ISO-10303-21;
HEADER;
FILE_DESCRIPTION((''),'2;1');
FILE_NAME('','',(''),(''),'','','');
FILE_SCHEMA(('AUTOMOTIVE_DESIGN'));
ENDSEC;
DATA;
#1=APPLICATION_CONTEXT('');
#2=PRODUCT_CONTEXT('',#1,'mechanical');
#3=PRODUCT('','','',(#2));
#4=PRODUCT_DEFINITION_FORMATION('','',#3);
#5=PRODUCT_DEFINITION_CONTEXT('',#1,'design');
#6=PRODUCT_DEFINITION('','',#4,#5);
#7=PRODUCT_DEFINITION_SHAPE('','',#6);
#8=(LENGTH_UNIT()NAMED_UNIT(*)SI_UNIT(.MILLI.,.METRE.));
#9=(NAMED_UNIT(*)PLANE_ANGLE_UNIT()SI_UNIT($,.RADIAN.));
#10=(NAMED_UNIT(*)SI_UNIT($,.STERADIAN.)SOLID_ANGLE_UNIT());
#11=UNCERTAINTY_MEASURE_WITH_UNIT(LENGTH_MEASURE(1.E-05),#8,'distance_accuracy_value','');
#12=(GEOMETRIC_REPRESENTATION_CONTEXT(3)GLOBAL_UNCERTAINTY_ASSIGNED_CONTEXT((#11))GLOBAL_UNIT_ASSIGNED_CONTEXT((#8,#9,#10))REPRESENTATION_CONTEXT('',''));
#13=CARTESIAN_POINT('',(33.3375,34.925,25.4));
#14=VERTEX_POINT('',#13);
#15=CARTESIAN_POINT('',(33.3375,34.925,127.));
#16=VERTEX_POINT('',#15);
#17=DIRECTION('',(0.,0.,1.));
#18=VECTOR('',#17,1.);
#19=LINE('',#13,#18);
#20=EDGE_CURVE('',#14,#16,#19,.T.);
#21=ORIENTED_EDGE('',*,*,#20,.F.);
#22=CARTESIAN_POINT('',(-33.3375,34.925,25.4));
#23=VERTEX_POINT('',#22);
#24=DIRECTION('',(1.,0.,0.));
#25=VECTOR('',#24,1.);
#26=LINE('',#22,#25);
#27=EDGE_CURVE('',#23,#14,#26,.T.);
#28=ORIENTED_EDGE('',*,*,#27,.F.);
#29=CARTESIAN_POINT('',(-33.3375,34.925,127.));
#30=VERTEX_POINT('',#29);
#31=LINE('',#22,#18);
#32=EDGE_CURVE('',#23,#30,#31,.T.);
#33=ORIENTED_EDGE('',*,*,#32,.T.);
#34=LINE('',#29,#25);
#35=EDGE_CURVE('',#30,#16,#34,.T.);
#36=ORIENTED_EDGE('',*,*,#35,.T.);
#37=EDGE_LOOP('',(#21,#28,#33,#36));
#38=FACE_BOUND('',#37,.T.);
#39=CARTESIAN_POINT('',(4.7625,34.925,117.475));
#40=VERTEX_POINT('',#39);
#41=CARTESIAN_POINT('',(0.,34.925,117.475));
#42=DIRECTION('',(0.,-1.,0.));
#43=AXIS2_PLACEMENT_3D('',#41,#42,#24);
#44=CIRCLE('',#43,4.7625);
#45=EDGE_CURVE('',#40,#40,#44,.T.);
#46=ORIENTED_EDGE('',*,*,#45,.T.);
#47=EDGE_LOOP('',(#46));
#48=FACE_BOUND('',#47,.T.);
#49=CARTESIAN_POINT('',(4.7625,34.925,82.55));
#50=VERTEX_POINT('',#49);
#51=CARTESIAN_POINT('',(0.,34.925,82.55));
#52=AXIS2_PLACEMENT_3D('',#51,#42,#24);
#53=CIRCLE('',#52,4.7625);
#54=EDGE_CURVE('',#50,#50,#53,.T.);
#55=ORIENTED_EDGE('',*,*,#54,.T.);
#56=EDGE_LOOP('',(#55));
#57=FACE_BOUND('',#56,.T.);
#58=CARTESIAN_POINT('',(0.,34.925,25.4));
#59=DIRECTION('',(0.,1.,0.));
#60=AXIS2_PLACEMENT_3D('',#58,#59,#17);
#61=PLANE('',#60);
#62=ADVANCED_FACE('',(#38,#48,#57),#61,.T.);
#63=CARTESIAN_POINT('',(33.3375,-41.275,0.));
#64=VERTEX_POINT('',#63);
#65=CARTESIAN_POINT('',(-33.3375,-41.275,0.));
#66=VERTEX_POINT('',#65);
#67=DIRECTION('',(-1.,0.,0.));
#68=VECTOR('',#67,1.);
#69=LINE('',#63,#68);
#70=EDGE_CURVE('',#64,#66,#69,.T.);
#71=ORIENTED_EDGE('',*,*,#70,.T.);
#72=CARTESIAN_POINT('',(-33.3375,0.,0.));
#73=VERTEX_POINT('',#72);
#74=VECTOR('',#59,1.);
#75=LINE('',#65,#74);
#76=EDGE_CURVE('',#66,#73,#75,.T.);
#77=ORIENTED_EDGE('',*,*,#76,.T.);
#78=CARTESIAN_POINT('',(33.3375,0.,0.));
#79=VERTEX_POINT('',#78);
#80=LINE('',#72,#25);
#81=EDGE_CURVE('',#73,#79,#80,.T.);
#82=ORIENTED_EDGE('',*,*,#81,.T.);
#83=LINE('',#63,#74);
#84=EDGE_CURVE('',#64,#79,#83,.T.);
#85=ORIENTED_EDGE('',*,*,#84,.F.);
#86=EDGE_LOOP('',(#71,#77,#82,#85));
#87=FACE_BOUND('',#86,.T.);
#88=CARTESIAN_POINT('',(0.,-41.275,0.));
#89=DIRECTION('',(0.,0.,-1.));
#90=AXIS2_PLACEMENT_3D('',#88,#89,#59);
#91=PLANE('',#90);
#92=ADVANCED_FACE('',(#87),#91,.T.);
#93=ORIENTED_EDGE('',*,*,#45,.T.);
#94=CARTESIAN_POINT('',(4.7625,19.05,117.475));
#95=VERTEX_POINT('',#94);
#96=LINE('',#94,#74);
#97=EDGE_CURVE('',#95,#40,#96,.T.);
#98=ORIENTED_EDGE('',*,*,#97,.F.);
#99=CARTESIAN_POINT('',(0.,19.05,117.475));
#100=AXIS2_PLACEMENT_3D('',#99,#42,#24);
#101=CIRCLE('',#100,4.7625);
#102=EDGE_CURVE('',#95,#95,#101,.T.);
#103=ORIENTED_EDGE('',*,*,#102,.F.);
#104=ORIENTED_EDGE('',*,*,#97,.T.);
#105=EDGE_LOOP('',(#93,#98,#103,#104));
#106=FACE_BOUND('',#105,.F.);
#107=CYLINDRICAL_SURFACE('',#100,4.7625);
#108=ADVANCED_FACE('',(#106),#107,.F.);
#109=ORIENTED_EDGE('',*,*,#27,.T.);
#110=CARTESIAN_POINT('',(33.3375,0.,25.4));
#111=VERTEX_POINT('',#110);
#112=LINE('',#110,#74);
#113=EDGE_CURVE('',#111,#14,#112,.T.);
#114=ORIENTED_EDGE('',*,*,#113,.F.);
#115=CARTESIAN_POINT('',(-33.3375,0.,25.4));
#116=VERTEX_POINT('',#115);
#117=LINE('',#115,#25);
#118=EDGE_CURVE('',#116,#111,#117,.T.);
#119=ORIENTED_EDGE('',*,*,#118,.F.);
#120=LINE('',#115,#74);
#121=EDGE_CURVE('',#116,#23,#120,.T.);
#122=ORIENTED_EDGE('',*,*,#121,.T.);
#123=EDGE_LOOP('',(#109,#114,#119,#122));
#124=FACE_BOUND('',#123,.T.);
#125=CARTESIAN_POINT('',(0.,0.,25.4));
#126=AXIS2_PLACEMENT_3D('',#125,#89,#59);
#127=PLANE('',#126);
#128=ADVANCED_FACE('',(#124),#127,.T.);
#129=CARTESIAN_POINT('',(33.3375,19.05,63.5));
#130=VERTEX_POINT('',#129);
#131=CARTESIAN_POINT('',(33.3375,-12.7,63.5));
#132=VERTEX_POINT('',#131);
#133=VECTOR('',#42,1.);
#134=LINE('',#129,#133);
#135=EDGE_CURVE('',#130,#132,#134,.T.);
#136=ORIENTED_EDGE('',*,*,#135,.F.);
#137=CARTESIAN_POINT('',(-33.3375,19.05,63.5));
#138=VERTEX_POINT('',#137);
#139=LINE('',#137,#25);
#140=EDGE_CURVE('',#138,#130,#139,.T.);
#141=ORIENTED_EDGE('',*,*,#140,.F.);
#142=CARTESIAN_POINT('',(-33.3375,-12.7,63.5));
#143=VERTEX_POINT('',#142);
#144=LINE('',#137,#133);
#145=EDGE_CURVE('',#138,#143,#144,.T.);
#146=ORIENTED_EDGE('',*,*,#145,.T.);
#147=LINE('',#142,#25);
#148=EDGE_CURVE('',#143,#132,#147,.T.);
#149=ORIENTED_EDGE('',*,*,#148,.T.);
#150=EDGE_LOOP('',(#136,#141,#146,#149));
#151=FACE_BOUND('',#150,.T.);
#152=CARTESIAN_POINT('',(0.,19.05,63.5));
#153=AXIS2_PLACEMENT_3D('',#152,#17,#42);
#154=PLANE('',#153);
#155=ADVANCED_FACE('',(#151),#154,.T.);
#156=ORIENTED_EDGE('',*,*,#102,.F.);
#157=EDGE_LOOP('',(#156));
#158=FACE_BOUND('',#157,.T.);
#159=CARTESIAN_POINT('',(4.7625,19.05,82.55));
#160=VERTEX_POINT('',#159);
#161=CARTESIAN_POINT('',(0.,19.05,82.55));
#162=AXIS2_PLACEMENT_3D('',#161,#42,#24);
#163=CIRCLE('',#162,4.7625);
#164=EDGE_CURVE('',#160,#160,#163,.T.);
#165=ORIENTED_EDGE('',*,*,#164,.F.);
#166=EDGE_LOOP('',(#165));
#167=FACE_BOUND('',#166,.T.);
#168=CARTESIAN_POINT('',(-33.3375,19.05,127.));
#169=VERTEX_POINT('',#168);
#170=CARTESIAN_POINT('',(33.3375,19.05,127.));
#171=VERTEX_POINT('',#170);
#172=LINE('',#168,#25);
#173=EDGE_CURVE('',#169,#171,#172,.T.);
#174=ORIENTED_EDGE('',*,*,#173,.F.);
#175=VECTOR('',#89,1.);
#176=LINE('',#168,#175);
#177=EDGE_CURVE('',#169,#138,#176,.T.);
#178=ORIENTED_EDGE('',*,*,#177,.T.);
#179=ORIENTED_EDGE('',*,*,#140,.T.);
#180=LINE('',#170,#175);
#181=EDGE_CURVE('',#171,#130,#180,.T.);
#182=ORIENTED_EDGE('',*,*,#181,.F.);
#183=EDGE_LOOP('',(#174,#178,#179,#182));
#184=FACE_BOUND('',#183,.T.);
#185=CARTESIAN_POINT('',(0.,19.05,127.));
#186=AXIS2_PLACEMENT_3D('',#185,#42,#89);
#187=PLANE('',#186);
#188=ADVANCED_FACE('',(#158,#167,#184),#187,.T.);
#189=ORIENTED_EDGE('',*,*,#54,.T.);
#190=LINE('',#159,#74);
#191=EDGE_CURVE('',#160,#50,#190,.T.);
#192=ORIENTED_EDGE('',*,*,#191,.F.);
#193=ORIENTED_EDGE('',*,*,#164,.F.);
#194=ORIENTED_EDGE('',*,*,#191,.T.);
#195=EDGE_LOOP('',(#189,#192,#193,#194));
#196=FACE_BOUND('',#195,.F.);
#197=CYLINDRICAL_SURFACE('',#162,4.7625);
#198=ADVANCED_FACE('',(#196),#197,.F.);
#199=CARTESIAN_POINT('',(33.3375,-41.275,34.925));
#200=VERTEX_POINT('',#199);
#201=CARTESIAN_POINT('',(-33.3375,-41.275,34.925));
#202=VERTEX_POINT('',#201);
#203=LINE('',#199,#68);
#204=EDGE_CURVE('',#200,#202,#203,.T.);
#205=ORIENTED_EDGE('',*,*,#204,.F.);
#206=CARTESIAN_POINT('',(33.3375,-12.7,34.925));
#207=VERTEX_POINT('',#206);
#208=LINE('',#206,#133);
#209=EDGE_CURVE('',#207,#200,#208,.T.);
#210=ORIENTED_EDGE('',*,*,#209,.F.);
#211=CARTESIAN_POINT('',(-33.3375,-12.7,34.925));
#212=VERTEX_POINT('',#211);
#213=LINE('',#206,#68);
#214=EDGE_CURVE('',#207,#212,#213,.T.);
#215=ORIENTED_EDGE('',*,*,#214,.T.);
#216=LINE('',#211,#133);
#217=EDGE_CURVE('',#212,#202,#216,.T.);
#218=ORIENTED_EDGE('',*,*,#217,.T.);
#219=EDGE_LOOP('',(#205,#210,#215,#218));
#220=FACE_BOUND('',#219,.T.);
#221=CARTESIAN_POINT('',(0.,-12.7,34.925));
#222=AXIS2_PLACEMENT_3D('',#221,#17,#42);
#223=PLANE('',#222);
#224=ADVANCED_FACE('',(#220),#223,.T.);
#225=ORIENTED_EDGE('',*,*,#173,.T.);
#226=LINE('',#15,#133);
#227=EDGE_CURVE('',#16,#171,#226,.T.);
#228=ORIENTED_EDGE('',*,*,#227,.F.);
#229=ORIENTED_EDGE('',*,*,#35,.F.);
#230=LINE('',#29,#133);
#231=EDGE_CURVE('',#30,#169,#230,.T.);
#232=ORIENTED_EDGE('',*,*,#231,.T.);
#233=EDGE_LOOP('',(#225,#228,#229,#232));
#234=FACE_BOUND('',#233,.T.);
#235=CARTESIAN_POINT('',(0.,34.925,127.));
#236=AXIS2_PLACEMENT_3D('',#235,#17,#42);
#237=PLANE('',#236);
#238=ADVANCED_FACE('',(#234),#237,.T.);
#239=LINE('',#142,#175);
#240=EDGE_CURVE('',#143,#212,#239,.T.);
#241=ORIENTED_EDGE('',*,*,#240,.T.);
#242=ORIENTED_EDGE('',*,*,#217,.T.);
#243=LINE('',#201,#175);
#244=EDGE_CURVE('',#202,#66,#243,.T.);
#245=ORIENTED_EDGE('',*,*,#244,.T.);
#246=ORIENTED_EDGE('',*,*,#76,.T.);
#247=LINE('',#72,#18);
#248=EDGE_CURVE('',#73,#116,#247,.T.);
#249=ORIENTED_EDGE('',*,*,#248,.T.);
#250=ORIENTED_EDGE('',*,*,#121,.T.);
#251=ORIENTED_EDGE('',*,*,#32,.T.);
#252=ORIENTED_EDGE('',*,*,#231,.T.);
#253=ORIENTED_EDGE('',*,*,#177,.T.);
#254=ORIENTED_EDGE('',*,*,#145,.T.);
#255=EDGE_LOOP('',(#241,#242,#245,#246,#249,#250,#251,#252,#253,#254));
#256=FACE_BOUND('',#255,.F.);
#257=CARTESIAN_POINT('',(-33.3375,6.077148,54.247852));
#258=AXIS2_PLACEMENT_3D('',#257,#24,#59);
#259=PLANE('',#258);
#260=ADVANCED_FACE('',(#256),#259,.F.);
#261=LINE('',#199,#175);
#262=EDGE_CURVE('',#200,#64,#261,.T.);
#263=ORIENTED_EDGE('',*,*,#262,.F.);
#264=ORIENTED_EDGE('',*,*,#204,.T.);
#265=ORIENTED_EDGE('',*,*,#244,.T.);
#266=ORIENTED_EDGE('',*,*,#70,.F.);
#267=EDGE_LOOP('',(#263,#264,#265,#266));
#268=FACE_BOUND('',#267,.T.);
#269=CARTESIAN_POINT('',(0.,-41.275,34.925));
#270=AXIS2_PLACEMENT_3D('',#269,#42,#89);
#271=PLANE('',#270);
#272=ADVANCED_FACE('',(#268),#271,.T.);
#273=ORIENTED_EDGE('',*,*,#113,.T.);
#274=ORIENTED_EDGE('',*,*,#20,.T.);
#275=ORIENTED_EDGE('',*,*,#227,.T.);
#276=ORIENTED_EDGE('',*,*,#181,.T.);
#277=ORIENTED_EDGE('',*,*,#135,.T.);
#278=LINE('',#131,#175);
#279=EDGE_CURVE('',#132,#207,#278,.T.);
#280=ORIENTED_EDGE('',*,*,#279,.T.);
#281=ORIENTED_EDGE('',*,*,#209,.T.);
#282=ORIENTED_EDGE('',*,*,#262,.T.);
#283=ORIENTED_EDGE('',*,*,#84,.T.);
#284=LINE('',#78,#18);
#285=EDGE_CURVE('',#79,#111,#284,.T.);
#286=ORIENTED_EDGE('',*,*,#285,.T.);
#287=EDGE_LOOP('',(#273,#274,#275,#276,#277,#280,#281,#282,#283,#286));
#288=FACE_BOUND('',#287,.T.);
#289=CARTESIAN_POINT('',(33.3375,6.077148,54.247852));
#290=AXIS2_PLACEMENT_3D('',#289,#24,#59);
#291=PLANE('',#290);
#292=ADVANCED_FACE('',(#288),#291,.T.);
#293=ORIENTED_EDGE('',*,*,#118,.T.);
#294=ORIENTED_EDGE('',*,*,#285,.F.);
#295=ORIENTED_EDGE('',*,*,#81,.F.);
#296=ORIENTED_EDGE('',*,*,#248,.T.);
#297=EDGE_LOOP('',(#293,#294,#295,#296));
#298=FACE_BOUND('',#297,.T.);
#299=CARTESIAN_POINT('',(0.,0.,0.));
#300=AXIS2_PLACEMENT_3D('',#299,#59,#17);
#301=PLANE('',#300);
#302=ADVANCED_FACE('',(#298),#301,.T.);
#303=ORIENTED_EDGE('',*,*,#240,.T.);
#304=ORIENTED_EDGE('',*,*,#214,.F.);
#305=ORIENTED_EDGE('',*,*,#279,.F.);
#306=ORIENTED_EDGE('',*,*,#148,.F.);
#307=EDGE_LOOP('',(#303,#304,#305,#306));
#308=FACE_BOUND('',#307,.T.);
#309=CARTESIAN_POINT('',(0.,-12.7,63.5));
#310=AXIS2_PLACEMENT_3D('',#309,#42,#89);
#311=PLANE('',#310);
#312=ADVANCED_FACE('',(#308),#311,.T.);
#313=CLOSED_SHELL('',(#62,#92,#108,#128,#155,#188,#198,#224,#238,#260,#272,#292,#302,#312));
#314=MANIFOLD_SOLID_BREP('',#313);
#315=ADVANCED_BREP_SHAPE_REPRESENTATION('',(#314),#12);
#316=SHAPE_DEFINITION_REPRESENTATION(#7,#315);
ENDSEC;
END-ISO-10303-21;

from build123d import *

# Parameters (mm, degrees)
F1_DEPTH = 33.3375
F2_R     = 4.7625
F3_DEPTH = 15.876


with BuildPart() as f1:
    # F0 (on Right) → F1 (new body, symmetric)
    with BuildSketch(Plane.YZ):
        Polygon((-41.275, 0), (0, 0), (0, 25.4), (34.925, 25.4), (34.925, 127), (19.05, 127), (19.05, 63.5), (-12.7, 63.5), (-12.7, 34.925), (-41.275, 34.925), align=None)
    extrude(amount=F1_DEPTH, both=True)

    # F2 (on face) → F3 (cut, through all)
    with BuildSketch(Plane.XZ.offset(-19.05)):
        with Locations((0, 117.475)):
            Circle(F2_R)
        with Locations((0, 82.55)):
            Circle(F2_R)
    extrude(amount=-F3_DEPTH, mode=Mode.SUBTRACT)


solid = f1.part
